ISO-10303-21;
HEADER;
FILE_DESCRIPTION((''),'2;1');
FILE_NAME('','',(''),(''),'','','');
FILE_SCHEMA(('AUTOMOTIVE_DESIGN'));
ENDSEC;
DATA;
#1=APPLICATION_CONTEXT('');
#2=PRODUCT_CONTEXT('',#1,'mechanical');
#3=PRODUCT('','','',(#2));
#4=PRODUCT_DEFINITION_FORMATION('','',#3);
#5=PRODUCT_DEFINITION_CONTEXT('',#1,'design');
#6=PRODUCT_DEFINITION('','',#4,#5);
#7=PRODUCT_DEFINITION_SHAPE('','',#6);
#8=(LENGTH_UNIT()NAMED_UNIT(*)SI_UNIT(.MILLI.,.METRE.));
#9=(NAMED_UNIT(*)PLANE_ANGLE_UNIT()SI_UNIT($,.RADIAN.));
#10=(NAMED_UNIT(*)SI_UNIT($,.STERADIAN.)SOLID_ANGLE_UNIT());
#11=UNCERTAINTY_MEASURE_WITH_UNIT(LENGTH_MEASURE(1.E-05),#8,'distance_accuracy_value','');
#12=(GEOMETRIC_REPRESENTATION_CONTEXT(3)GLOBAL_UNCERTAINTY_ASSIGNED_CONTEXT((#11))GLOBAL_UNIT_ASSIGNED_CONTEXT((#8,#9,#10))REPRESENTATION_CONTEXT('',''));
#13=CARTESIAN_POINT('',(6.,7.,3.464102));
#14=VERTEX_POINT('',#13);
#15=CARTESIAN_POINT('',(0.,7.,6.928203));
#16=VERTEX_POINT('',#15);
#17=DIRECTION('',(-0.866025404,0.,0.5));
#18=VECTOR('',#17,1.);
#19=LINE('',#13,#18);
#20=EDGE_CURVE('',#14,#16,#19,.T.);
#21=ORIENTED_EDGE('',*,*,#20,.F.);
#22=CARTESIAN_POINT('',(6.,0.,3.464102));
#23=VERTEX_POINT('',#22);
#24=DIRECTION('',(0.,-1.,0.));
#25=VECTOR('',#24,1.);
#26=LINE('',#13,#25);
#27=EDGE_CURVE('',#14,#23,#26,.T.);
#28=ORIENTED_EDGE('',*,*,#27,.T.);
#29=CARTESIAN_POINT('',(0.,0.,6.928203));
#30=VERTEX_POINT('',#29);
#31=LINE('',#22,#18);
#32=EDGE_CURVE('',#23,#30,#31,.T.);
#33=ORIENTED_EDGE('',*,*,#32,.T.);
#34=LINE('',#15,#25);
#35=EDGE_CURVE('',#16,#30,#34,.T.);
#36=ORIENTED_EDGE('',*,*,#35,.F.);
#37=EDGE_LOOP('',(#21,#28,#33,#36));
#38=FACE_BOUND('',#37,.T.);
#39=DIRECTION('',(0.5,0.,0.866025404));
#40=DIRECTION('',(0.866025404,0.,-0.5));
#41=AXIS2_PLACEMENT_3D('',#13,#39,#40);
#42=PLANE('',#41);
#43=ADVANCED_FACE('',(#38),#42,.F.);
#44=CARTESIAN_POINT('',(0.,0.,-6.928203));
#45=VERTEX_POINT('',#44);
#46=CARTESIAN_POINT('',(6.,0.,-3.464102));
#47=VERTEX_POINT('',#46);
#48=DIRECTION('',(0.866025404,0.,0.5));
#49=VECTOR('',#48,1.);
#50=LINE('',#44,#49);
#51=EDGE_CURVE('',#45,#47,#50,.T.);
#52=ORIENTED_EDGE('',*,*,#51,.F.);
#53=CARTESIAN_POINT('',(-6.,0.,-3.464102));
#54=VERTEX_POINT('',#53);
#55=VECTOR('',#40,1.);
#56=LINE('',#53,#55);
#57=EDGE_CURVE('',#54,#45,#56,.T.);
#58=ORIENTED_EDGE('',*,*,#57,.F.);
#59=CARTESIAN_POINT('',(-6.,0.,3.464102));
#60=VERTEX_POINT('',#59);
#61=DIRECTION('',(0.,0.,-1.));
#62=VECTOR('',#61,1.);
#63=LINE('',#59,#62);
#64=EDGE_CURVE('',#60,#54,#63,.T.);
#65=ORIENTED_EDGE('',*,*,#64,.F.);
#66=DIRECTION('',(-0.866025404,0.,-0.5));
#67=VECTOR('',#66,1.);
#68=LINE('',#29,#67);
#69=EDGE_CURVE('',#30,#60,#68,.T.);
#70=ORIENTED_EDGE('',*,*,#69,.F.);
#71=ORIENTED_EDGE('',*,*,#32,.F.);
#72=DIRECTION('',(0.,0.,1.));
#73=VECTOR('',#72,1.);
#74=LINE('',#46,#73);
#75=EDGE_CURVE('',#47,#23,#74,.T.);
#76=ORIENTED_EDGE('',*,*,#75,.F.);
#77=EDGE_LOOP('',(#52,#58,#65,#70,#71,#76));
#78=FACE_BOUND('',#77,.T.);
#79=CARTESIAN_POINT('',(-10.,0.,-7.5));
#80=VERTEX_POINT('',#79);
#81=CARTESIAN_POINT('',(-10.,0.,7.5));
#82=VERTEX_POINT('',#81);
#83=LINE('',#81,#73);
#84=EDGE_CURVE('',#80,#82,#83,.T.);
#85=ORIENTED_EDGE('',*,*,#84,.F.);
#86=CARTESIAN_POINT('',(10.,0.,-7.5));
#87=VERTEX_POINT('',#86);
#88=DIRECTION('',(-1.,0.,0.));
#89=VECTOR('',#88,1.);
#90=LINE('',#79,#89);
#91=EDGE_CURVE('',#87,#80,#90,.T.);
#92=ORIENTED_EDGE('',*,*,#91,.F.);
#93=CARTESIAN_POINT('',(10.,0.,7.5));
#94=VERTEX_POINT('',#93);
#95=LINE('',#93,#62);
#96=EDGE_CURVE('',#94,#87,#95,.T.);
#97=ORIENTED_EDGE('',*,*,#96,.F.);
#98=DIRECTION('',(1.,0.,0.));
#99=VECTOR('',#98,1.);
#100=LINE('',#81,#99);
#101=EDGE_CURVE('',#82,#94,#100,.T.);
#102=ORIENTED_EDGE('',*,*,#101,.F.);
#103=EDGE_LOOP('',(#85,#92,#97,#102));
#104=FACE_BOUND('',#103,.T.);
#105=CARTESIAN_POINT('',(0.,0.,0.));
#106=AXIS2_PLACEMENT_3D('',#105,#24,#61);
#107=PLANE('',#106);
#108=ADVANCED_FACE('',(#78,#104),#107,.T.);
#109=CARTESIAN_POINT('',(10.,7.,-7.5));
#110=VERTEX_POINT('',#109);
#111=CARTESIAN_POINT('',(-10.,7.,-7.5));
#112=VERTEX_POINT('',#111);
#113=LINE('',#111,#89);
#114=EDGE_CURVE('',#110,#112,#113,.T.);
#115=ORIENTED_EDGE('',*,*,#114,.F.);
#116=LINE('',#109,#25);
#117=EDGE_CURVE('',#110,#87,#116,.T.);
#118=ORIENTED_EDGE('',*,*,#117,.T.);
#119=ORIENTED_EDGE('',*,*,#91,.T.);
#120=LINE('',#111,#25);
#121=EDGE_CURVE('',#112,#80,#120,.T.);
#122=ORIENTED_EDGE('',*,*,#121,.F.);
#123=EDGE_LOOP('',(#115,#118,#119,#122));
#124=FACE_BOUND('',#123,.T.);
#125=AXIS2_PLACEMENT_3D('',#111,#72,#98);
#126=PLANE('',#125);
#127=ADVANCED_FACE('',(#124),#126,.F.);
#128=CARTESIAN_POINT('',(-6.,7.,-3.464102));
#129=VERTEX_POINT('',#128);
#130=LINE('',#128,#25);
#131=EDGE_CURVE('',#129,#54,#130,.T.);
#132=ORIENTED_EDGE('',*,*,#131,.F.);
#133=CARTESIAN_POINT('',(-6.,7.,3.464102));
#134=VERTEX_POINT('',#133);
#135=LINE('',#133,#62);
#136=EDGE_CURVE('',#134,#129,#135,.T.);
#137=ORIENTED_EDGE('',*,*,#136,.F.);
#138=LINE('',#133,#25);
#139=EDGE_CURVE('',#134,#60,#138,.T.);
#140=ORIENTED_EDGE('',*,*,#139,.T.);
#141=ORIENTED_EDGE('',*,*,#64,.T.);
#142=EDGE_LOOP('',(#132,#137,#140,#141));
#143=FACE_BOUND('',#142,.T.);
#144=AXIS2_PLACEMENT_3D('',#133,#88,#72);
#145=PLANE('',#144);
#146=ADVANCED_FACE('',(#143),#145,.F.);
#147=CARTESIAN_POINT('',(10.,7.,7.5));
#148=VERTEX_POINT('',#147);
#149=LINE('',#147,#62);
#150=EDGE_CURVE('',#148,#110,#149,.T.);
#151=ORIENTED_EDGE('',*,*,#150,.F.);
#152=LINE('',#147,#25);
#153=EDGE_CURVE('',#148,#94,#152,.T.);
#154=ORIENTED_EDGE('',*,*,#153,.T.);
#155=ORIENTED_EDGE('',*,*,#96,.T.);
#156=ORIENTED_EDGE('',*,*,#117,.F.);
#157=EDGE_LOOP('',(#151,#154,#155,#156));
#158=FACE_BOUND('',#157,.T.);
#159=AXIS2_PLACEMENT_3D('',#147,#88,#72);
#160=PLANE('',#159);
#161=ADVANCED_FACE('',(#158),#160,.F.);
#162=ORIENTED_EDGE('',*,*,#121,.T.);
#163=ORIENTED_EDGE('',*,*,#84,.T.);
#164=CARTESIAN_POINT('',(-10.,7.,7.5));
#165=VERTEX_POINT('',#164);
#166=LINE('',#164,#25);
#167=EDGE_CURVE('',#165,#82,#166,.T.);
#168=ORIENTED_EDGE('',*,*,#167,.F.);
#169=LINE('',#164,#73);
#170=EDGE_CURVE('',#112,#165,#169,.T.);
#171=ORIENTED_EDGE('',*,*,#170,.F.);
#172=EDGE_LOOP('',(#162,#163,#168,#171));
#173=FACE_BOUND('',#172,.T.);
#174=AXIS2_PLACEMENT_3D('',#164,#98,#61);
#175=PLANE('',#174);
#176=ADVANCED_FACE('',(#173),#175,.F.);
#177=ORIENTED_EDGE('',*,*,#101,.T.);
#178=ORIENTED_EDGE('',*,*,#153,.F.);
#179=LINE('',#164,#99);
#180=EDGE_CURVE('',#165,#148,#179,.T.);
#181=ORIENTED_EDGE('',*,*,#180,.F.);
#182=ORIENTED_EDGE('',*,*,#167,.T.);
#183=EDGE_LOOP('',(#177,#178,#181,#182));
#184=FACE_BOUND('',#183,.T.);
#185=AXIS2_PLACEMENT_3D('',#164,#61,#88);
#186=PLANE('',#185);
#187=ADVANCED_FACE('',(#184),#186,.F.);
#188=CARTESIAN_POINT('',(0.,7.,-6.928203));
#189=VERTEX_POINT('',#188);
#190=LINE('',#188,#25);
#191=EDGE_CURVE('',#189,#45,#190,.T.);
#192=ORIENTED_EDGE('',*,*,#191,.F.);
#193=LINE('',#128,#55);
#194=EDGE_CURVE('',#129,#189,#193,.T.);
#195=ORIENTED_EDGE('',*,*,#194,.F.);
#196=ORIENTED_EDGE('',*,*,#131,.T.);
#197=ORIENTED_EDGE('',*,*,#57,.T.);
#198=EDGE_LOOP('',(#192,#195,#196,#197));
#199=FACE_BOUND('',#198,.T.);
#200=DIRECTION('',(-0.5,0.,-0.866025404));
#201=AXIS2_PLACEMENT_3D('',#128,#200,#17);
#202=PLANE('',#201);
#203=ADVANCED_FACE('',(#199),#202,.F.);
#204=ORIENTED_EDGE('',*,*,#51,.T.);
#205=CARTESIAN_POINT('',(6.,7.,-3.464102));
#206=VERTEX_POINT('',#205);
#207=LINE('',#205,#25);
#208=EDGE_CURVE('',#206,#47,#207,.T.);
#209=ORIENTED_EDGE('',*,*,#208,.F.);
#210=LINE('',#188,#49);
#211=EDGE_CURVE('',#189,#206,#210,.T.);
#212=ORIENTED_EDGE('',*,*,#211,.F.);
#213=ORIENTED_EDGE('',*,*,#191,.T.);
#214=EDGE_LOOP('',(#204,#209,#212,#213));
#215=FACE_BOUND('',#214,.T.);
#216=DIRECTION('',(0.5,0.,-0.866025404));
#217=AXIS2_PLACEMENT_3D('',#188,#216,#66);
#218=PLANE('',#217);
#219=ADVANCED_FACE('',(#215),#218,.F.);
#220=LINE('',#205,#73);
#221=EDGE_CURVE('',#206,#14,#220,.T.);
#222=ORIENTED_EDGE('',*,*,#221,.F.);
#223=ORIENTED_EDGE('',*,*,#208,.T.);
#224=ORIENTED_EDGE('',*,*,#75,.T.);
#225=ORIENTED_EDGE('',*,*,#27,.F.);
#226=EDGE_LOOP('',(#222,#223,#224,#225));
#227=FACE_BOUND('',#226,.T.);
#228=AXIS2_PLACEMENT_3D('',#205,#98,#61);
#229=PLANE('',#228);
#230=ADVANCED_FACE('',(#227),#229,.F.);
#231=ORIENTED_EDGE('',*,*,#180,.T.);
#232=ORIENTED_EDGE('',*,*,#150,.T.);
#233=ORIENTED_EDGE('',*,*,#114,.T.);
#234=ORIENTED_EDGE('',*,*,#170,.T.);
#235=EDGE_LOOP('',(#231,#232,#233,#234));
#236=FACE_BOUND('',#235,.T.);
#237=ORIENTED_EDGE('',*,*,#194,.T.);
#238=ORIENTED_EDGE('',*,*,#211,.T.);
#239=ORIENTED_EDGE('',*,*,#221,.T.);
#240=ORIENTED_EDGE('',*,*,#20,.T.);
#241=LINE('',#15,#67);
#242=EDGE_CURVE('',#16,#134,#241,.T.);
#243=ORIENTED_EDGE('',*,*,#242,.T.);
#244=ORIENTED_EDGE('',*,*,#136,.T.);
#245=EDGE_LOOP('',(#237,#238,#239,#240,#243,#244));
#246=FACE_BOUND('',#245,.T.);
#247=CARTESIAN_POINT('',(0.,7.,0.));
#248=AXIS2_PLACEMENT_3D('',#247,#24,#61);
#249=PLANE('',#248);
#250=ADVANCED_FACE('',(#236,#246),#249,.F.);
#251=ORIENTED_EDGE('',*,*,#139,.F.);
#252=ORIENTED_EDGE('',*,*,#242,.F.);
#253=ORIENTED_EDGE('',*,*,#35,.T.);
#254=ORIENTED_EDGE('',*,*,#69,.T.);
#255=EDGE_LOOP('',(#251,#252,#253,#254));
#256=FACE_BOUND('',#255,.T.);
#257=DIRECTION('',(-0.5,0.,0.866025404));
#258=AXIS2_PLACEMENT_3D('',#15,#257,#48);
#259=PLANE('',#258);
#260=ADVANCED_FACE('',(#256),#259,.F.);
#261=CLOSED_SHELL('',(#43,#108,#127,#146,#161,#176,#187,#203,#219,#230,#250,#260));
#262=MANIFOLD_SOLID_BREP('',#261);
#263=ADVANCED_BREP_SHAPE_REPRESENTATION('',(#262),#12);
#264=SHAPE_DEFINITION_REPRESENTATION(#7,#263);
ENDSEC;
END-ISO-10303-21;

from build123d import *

# Parameters (mm, degrees)
CROQUIS1_W              = 20
CROQUIS1_H              = 15
SALIENTE_EXTRUIR1_DEPTH = 7
CORTAR_EXTRUIR4_DEPTH   = 7


with BuildPart() as part:
    # Croquis1 → Saliente-Extruir1 (new body)
    with BuildSketch(Plane(origin=(0, 0, 0), x_dir=(1, 0, 0), z_dir=(0, 1, 0))):
        Rectangle(CROQUIS1_W, CROQUIS1_H)
    extrude(amount=SALIENTE_EXTRUIR1_DEPTH)

    # Croquis8 → Cortar-Extruir4 (cut)
    with BuildSketch(Plane.XZ):
        Polygon((0, 6.92820323), (-6, 3.464101615), (-6, -3.464101615), (0, -6.92820323), (6, -3.464101615), (6, 3.464101615), align=None)
    extrude(amount=-CORTAR_EXTRUIR4_DEPTH, mode=Mode.SUBTRACT)


solid = part.part
